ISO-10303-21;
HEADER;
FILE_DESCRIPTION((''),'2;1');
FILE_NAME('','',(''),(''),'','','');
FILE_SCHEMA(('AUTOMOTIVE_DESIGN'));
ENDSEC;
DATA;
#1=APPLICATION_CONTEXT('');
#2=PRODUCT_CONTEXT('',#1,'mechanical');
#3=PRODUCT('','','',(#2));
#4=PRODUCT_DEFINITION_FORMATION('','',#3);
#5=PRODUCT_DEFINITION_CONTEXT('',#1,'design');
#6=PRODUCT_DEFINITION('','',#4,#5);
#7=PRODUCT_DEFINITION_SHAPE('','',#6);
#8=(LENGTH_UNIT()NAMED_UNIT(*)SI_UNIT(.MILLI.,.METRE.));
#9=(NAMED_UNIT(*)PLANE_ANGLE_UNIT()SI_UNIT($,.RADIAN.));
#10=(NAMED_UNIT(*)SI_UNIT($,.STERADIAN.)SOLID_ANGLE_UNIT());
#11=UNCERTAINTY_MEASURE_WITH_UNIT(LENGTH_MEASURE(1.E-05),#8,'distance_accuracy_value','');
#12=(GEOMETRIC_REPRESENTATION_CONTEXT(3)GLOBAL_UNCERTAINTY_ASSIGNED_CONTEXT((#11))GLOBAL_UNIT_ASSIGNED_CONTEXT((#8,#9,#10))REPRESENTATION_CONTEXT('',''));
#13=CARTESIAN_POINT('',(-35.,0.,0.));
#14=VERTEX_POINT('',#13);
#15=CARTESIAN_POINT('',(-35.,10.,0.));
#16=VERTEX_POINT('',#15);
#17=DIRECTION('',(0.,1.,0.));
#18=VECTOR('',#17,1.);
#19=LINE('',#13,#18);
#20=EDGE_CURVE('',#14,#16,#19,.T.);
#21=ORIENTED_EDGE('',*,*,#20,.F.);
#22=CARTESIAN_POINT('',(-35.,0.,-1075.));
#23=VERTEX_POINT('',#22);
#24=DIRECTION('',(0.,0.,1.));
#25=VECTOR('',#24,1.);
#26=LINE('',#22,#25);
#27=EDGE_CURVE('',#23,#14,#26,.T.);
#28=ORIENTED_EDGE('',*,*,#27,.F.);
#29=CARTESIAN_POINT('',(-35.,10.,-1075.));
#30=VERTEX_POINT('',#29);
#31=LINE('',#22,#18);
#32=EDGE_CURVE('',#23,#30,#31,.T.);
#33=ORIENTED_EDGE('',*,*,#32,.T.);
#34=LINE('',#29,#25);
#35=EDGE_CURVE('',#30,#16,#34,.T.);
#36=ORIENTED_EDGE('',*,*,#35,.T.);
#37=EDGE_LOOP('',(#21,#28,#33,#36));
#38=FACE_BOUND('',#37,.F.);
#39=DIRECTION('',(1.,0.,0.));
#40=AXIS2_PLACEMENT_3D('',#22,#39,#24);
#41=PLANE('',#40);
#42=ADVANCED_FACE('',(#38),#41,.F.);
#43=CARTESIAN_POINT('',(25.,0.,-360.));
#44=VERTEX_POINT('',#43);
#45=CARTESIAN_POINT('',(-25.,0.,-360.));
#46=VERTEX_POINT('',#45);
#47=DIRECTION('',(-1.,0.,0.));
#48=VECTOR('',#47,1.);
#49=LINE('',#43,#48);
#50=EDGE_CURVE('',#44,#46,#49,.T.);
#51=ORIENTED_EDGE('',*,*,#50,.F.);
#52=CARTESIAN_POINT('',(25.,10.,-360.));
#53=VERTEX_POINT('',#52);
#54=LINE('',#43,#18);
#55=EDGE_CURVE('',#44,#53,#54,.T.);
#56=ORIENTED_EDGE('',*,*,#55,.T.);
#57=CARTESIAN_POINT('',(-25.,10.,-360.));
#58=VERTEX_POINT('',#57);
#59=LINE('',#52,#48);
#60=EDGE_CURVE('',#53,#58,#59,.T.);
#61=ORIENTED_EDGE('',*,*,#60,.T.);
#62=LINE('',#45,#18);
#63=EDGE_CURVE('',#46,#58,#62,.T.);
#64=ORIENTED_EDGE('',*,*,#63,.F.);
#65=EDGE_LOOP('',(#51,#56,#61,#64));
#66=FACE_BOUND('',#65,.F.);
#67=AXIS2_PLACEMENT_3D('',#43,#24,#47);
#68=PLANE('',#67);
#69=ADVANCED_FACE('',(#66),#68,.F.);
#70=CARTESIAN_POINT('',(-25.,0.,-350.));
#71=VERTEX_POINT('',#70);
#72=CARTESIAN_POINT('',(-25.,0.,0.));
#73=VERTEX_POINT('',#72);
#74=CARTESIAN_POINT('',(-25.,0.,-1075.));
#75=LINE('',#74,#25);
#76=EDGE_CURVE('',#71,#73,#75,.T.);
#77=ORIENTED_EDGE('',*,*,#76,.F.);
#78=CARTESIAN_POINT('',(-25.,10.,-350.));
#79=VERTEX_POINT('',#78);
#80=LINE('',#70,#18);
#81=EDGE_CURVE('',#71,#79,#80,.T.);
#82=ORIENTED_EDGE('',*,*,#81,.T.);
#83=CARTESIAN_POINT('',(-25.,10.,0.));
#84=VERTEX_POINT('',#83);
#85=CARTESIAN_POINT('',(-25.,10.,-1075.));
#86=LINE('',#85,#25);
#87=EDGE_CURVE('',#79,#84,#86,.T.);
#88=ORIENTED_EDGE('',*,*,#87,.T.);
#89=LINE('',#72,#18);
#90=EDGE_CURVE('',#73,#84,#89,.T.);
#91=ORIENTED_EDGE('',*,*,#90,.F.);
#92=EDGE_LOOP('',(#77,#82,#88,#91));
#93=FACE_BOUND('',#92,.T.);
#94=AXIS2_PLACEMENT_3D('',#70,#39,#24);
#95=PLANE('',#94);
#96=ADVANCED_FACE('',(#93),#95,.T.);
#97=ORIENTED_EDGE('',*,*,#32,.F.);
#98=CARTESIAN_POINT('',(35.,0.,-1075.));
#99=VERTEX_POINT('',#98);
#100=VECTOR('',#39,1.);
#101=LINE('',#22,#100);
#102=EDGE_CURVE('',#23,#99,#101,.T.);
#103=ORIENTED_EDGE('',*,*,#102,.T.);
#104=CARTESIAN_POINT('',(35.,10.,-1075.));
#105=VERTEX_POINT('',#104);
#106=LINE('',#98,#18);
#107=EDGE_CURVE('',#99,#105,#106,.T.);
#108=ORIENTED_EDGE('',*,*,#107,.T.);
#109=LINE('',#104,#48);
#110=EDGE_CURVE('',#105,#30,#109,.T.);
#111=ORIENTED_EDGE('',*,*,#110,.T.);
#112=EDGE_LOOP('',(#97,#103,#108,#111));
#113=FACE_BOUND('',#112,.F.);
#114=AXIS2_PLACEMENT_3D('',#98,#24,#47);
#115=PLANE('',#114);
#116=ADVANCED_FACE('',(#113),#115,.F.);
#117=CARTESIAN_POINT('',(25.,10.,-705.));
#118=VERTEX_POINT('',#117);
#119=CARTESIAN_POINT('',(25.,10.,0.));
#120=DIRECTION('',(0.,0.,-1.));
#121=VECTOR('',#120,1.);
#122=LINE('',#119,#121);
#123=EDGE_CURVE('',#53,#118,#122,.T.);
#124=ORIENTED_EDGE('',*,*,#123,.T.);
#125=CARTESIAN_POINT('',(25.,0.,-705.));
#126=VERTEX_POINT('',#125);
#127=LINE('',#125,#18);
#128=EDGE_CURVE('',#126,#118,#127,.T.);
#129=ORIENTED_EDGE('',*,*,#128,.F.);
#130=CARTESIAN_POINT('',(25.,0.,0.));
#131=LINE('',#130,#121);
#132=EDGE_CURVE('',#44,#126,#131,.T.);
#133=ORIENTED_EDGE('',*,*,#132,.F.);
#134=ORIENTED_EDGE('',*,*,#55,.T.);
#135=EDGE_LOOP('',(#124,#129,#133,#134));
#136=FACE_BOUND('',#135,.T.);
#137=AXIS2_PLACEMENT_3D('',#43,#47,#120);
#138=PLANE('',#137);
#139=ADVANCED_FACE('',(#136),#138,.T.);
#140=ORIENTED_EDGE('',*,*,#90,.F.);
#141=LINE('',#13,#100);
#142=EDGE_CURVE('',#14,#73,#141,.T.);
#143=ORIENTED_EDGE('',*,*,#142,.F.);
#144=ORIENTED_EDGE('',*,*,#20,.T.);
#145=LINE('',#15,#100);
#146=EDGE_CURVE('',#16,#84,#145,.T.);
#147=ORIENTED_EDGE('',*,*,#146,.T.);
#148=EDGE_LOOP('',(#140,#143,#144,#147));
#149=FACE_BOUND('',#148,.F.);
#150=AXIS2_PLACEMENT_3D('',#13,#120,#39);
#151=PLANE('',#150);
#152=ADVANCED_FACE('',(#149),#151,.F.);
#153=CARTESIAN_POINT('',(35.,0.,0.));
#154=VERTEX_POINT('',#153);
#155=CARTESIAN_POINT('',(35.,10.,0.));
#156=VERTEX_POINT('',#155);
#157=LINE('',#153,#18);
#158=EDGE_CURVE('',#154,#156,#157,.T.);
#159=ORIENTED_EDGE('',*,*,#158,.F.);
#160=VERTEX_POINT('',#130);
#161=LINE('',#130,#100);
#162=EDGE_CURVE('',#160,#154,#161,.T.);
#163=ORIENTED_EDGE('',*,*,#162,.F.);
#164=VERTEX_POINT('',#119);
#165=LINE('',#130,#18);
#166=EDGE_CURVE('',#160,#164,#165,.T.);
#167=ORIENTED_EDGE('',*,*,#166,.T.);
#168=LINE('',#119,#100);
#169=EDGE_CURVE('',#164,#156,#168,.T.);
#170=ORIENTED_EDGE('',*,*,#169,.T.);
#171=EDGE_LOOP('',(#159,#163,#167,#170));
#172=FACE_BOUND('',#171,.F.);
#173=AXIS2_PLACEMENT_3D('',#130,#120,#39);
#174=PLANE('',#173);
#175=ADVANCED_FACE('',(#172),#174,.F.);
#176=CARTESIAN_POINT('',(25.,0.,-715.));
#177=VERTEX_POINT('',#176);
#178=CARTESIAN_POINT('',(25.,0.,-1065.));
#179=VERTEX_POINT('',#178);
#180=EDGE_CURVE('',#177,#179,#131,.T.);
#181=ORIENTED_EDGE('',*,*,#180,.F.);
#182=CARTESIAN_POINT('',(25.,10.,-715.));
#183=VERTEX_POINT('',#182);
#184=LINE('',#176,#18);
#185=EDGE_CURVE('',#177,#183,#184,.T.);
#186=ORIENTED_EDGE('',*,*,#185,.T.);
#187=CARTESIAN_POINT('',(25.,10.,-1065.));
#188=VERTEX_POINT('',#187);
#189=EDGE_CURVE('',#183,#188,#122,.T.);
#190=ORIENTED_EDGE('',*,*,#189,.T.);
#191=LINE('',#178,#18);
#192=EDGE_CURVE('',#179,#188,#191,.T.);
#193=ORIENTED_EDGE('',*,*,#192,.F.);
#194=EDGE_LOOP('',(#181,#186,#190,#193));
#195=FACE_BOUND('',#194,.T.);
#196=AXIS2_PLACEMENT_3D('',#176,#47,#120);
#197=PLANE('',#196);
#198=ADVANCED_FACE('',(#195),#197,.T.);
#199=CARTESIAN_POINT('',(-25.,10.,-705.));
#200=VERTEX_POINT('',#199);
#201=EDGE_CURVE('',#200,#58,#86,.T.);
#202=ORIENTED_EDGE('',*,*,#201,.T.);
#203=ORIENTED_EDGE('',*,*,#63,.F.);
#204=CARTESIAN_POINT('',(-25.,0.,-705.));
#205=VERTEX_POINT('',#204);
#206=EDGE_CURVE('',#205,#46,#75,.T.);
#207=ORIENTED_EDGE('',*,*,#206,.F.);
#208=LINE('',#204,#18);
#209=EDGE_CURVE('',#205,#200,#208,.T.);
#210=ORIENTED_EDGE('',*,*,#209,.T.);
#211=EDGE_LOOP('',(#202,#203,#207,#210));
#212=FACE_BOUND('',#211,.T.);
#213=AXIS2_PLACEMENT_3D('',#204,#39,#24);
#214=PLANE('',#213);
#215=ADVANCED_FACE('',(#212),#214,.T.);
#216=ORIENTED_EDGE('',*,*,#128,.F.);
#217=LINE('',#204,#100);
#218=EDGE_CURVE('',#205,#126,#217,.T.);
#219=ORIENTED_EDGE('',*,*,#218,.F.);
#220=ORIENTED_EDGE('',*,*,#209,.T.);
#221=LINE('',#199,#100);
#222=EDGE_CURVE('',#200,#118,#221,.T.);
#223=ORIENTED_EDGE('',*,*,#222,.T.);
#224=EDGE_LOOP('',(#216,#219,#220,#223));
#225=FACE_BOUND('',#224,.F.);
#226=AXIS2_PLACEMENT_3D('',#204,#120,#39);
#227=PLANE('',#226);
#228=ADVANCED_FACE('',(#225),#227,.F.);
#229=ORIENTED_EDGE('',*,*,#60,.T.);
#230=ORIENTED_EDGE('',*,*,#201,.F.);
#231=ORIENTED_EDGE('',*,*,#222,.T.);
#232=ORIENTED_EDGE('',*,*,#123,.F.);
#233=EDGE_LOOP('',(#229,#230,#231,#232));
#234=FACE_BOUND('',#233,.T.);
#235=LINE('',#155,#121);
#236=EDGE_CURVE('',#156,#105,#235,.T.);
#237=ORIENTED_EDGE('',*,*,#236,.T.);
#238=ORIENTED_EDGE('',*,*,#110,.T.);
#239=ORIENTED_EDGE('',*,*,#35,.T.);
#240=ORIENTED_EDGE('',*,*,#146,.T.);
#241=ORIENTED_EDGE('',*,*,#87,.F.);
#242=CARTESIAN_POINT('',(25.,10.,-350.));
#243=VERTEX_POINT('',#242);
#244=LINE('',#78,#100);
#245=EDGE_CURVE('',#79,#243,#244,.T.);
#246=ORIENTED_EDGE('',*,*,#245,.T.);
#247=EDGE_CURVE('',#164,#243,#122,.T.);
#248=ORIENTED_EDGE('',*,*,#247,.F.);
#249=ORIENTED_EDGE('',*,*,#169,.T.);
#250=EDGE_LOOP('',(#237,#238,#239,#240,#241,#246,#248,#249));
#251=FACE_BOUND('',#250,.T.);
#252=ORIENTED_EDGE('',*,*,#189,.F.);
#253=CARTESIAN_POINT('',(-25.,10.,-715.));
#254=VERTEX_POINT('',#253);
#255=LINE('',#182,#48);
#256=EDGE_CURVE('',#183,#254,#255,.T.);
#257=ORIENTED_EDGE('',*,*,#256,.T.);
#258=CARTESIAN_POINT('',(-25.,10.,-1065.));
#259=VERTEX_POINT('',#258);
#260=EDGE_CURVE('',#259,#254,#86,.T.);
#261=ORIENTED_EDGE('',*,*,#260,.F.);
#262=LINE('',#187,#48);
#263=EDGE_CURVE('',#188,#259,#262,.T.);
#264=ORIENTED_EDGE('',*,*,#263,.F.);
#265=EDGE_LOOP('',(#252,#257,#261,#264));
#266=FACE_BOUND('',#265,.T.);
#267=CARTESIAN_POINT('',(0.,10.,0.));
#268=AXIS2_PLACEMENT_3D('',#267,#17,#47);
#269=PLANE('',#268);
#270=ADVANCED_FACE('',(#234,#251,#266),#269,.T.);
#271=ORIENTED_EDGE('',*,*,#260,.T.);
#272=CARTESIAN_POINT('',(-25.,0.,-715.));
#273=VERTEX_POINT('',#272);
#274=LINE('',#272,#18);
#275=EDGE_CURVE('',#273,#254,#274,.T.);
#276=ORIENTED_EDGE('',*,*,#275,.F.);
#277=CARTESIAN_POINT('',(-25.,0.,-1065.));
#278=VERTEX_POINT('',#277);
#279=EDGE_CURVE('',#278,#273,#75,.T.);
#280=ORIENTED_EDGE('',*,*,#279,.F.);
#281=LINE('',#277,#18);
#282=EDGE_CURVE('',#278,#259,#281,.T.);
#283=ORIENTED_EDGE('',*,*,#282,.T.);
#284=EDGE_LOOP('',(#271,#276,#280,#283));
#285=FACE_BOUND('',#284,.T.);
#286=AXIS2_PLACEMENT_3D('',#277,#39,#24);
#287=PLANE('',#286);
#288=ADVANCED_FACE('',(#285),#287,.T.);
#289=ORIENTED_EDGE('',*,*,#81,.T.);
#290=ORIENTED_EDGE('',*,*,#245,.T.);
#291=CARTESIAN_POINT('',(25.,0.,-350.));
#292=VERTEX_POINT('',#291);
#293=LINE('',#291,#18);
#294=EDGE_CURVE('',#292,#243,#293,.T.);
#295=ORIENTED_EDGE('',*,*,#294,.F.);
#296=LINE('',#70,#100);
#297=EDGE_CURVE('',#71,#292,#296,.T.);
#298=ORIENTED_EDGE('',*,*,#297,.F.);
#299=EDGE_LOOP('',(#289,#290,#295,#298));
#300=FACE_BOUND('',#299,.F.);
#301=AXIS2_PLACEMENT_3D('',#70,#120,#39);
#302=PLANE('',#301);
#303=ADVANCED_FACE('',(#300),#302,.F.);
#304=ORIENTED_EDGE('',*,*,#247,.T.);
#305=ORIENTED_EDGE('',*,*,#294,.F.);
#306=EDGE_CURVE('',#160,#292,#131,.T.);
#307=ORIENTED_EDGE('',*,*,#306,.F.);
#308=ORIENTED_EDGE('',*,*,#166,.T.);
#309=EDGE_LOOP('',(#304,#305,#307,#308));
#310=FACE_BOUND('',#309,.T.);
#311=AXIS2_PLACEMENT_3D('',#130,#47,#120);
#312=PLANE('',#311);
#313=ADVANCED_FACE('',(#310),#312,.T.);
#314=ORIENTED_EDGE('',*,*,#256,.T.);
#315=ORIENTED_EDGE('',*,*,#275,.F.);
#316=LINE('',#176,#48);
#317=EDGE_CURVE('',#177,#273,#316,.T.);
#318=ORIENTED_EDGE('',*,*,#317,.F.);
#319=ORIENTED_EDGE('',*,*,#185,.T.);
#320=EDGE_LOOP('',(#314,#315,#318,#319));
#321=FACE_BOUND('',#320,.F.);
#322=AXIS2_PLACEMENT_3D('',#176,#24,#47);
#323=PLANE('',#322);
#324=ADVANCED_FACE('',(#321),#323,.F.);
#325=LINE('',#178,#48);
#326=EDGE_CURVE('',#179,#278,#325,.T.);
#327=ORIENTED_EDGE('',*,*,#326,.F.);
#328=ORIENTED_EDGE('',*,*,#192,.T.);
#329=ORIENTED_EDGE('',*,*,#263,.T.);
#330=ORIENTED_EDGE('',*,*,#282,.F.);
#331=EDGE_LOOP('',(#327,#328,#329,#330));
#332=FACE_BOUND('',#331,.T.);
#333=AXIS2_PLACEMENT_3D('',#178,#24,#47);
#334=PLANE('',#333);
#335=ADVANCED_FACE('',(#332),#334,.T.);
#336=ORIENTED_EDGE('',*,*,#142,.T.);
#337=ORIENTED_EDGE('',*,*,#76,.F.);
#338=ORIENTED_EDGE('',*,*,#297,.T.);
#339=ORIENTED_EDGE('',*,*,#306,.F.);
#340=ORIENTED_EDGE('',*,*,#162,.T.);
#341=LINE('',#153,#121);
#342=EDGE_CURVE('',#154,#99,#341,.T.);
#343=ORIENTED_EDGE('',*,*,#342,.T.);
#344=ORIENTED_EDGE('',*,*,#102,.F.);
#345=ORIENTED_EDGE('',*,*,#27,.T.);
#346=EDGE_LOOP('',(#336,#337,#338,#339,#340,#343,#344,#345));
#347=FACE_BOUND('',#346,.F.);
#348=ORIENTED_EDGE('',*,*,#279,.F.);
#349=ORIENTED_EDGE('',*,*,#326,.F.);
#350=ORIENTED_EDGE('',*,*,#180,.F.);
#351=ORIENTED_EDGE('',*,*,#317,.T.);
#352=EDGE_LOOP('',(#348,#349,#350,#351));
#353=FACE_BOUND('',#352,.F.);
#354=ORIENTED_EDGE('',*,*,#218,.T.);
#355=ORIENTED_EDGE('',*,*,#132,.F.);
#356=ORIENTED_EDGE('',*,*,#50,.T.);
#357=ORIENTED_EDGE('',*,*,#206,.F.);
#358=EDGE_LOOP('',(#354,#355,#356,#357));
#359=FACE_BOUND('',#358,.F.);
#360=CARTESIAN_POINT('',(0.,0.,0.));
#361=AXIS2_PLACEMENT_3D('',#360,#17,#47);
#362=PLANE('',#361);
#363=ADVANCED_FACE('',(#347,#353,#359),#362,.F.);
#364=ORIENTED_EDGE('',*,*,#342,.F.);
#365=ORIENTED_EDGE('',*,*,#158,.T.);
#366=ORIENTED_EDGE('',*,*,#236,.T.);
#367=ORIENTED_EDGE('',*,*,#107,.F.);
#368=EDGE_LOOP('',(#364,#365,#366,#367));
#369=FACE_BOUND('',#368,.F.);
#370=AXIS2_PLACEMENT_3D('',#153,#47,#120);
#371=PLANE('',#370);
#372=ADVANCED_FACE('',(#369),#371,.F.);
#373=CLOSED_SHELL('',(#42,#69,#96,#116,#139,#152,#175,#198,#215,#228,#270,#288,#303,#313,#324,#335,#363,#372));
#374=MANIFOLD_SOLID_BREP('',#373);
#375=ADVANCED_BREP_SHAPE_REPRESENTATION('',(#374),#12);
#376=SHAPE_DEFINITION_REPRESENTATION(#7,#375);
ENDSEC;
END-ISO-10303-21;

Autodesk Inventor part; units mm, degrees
ref_plane "YZ Plane" through (0, 0, 0) normal (1, 0, 0) x (0, 1, 0)
ref_plane "XZ Plane" through (0, 0, 0) normal (0, 1, 0) x (-1, 0, 0)
ref_plane "XY Plane" through (0, 0, 0) normal (0, 0, 1) x (1, 0, 0)
sketch "Skizze2" plane through (0, 0, 0) normal (0, 1, 0) x (-1, 0, 0)
  line L0 (-35, 0) -> (-35, -1075)
  line L1 (-35, -1075) -> (35, -1075)
  line L2 (35, -1075) -> (35, 0)
  line L3 (-25, 0) -> (-25, -1075)
  line L4 (-25, -1065) -> (25, -1065)
  line L5 (25, -1075) -> (25, 0)
  line L6 (0, 28) -> (0, -210) construction
  line L7 (35, 0) -> (25, 0)
  line L8 (-25, 0) -> (-35, 0)
  line L9 (25, -350) -> (-25, -350)
  line L10 (-25, -350) -> (-25, -360)
  line L11 (-25, -360) -> (25, -360)
  line L12 (25, -360) -> (25, -350)
  line L13 (25, -705) -> (-25, -705)
  line L14 (-25, -705) -> (-25, -715)
  line L15 (-25, -715) -> (25, -715)
  line L16 (25, -715) -> (25, -705)
  point P0 (0, 0)
  dimension "d0" = 70
  dimension "d1" = 10
  dimension "laenge" = 1075
  dimension "d3" = 10
  dimension "d4" = 35
  dimension "d6" = 10
  dimension "d7" = 350
  dimension "d8" = 10
  dimension "d9" = 705
extrude "Extrusion1" add sketch "Skizze2" along normal blind 10 contours L8 L3 L1 L0 | L3 L4 L5 L1 | L9 L5 L11 L3 | L5 L7 L2 L1 | L3 L13 L5 L15
sketch "Skizze3" plane through (0, 0, 0) normal (0, -1, 0) x (1, 0, 0)
  line L0 (25, -715) -> (-25, -715) projected
  line L1 (25, -1065) -> (25, -715) projected
  line L2 (-25, -1065) -> (25, -1065) projected
  line L3 (-25, -715) -> (-25, -1065) projected
  line L4 (35, -1075) -> (-35, -1075) projected
  line L5 (35, 0) -> (35, -1075) projected
  line L6 (25, 0) -> (35, 0) projected
  line L7 (25, -350) -> (25, 0) projected
  line L8 (-25, -350) -> (25, -350) projected
  line L9 (-25, 0) -> (-25, -350) projected
  line L10 (-35, 0) -> (-25, 0) projected
  line L11 (-35, -1075) -> (-35, 0) projected
  line L12 (-25, -360) -> (-25, -705) projected
  line L13 (25, -360) -> (-25, -360) projected
  line L14 (25, -705) -> (25, -360) projected
  line L15 (-25, -705) -> (25, -705) projected
  line L16 (-35, -1075) -> (-35, 0) projected
  line L17 (35, -1075) -> (-35, -1075)
  line L18 (-35, -1075) -> (-35, -335)
  line L19 (-35, -335) -> (35, -335)
  line L20 (35, -335) -> (35, -1075)
  circle A0 centre (-30, -1070) radius 1.5
  circle A1 centre (-30, -340) radius 1.5
  line L21 (-30, -340) -> (-30, -1070) construction
  circle A2 centre (-30, -578.3333) radius 1.5
  circle A3 centre (-30, -831.6667) radius 1.5
  line L22 (0, -209.5174) -> (0, -1351.6434) construction
  circle A4 centre (30, -1070) radius 1.5
  circle A5 centre (30, -340) radius 1.5
  circle A6 centre (30, -578.3333) radius 1.5
  circle A7 centre (30, -831.6667) radius 1.5
  point P0 (0, 0)
  dimension "abdeckung" = 740
  dimension "d13" = 3
  dimension "d14" = 5
  dimension "d15" = 5
  dimension "d16" = 3
  dimension "d17" = 5
  dimension "d19" = 5
  dimension "d20" = 3
  dimension "d21" = 243.3333
  dimension "d22" = 3
  dimension "d23" = 243.3333
properties part number "Makerbeam-Struktur" material "Aluminium 6061"
